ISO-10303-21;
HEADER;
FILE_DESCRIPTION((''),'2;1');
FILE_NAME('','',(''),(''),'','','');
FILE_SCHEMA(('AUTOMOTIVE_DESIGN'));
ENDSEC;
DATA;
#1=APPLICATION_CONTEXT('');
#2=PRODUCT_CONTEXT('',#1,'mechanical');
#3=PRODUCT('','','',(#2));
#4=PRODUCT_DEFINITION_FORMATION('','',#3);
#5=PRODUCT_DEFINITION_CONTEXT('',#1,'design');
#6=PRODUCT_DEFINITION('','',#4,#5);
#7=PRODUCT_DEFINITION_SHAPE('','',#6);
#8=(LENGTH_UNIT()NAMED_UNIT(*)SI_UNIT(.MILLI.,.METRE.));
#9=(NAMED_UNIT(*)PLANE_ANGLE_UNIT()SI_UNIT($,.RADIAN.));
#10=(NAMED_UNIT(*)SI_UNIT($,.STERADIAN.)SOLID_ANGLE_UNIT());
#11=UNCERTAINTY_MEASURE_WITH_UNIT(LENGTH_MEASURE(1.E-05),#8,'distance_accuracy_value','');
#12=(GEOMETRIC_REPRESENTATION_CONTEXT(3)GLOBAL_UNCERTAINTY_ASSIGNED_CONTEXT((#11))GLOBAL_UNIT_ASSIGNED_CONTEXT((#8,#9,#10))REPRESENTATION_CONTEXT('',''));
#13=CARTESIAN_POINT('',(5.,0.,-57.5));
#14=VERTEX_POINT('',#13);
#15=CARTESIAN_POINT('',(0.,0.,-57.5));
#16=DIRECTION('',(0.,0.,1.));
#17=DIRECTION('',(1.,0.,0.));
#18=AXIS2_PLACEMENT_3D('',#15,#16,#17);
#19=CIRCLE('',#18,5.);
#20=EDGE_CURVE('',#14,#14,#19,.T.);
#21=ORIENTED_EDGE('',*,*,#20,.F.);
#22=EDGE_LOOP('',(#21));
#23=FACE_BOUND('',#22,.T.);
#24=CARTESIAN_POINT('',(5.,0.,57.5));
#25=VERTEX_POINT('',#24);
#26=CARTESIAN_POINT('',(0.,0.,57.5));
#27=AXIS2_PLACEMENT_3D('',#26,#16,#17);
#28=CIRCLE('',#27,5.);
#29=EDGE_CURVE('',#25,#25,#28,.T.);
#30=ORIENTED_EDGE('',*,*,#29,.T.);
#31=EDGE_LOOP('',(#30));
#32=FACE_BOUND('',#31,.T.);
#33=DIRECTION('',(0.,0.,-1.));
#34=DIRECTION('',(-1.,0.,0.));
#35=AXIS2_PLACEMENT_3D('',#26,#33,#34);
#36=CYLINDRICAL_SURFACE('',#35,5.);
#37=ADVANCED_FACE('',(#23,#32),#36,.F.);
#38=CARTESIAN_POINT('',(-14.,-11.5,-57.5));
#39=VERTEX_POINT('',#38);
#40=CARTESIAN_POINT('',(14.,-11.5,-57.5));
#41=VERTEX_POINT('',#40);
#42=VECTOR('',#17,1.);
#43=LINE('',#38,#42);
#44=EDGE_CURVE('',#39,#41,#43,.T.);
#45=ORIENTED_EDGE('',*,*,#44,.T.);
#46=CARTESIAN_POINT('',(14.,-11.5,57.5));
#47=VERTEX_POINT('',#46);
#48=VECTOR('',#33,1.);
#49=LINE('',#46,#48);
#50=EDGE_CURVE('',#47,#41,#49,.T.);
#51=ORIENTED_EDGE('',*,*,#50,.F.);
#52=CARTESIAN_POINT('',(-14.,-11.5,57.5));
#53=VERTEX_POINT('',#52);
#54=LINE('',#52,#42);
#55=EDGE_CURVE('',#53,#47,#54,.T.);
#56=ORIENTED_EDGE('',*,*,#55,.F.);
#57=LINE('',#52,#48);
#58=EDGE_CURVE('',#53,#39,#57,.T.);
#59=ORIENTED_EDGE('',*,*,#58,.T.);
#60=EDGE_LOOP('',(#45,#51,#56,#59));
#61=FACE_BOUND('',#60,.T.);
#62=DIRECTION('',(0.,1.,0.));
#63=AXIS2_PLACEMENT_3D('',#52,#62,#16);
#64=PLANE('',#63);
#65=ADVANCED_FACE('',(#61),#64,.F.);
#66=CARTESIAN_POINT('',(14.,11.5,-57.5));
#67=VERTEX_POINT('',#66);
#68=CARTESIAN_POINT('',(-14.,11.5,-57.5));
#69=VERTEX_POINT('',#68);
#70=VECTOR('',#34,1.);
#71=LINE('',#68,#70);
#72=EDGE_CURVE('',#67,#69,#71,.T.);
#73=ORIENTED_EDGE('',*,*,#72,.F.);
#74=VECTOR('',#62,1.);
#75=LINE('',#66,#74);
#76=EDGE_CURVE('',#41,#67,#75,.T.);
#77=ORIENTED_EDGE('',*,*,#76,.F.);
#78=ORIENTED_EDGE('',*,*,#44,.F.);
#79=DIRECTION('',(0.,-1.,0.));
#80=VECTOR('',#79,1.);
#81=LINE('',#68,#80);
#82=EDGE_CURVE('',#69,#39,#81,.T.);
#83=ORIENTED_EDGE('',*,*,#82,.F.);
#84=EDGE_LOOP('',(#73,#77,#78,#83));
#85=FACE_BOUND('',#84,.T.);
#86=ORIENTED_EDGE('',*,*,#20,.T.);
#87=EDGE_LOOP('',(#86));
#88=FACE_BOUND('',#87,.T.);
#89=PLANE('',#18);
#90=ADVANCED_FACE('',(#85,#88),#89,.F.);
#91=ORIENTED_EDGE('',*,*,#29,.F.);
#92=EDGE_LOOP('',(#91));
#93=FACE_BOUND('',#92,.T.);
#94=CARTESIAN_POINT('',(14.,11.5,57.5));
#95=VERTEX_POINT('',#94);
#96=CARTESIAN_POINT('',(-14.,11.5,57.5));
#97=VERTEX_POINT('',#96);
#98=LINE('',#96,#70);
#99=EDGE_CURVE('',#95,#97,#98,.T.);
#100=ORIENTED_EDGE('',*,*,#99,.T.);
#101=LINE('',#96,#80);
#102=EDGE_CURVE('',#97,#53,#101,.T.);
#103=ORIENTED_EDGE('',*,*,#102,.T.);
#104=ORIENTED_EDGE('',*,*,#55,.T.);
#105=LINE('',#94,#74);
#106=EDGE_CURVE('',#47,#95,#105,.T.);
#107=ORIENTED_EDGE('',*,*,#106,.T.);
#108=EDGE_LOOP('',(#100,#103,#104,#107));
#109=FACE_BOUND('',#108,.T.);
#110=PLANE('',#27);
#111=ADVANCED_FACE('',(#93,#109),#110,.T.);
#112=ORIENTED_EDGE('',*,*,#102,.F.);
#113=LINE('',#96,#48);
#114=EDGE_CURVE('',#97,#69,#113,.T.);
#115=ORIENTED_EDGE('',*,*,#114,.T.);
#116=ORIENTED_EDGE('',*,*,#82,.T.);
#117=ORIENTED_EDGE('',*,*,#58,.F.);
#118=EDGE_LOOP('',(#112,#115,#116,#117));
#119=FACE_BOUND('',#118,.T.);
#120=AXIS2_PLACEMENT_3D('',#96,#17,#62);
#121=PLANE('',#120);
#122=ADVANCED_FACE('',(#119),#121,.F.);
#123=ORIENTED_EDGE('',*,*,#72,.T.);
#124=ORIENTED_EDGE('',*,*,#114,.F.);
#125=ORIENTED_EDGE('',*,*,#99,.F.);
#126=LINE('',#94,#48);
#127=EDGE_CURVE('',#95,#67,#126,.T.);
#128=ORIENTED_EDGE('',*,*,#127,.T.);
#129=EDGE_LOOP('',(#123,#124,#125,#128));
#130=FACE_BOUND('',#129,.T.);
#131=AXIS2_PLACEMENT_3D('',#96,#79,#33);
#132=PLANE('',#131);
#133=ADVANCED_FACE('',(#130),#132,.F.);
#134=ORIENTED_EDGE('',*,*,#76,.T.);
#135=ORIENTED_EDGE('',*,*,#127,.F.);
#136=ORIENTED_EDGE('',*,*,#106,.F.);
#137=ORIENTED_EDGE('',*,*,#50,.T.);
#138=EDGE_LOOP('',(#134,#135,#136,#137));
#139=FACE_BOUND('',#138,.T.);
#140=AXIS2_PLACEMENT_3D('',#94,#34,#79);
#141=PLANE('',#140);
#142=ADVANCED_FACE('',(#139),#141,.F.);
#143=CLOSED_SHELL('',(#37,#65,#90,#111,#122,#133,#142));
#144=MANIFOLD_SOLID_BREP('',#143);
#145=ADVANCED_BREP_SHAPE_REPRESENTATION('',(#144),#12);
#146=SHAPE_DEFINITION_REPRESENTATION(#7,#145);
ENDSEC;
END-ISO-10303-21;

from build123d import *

# Parameters (mm, degrees)
SKETCH1_W           = 28
SKETCH1_H           = 23
SKETCH1_R           = 5
BOSS_EXTRUDE1_DEPTH = 57.5


with BuildPart() as part:
    # Sketch1 → Boss-Extrude1 (new, symmetric)
    with BuildSketch(Plane.XY):
        Rectangle(SKETCH1_W, SKETCH1_H)
        Circle(SKETCH1_R, mode=Mode.SUBTRACT)
    extrude(amount=BOSS_EXTRUDE1_DEPTH, both=True)


solid = part.part
